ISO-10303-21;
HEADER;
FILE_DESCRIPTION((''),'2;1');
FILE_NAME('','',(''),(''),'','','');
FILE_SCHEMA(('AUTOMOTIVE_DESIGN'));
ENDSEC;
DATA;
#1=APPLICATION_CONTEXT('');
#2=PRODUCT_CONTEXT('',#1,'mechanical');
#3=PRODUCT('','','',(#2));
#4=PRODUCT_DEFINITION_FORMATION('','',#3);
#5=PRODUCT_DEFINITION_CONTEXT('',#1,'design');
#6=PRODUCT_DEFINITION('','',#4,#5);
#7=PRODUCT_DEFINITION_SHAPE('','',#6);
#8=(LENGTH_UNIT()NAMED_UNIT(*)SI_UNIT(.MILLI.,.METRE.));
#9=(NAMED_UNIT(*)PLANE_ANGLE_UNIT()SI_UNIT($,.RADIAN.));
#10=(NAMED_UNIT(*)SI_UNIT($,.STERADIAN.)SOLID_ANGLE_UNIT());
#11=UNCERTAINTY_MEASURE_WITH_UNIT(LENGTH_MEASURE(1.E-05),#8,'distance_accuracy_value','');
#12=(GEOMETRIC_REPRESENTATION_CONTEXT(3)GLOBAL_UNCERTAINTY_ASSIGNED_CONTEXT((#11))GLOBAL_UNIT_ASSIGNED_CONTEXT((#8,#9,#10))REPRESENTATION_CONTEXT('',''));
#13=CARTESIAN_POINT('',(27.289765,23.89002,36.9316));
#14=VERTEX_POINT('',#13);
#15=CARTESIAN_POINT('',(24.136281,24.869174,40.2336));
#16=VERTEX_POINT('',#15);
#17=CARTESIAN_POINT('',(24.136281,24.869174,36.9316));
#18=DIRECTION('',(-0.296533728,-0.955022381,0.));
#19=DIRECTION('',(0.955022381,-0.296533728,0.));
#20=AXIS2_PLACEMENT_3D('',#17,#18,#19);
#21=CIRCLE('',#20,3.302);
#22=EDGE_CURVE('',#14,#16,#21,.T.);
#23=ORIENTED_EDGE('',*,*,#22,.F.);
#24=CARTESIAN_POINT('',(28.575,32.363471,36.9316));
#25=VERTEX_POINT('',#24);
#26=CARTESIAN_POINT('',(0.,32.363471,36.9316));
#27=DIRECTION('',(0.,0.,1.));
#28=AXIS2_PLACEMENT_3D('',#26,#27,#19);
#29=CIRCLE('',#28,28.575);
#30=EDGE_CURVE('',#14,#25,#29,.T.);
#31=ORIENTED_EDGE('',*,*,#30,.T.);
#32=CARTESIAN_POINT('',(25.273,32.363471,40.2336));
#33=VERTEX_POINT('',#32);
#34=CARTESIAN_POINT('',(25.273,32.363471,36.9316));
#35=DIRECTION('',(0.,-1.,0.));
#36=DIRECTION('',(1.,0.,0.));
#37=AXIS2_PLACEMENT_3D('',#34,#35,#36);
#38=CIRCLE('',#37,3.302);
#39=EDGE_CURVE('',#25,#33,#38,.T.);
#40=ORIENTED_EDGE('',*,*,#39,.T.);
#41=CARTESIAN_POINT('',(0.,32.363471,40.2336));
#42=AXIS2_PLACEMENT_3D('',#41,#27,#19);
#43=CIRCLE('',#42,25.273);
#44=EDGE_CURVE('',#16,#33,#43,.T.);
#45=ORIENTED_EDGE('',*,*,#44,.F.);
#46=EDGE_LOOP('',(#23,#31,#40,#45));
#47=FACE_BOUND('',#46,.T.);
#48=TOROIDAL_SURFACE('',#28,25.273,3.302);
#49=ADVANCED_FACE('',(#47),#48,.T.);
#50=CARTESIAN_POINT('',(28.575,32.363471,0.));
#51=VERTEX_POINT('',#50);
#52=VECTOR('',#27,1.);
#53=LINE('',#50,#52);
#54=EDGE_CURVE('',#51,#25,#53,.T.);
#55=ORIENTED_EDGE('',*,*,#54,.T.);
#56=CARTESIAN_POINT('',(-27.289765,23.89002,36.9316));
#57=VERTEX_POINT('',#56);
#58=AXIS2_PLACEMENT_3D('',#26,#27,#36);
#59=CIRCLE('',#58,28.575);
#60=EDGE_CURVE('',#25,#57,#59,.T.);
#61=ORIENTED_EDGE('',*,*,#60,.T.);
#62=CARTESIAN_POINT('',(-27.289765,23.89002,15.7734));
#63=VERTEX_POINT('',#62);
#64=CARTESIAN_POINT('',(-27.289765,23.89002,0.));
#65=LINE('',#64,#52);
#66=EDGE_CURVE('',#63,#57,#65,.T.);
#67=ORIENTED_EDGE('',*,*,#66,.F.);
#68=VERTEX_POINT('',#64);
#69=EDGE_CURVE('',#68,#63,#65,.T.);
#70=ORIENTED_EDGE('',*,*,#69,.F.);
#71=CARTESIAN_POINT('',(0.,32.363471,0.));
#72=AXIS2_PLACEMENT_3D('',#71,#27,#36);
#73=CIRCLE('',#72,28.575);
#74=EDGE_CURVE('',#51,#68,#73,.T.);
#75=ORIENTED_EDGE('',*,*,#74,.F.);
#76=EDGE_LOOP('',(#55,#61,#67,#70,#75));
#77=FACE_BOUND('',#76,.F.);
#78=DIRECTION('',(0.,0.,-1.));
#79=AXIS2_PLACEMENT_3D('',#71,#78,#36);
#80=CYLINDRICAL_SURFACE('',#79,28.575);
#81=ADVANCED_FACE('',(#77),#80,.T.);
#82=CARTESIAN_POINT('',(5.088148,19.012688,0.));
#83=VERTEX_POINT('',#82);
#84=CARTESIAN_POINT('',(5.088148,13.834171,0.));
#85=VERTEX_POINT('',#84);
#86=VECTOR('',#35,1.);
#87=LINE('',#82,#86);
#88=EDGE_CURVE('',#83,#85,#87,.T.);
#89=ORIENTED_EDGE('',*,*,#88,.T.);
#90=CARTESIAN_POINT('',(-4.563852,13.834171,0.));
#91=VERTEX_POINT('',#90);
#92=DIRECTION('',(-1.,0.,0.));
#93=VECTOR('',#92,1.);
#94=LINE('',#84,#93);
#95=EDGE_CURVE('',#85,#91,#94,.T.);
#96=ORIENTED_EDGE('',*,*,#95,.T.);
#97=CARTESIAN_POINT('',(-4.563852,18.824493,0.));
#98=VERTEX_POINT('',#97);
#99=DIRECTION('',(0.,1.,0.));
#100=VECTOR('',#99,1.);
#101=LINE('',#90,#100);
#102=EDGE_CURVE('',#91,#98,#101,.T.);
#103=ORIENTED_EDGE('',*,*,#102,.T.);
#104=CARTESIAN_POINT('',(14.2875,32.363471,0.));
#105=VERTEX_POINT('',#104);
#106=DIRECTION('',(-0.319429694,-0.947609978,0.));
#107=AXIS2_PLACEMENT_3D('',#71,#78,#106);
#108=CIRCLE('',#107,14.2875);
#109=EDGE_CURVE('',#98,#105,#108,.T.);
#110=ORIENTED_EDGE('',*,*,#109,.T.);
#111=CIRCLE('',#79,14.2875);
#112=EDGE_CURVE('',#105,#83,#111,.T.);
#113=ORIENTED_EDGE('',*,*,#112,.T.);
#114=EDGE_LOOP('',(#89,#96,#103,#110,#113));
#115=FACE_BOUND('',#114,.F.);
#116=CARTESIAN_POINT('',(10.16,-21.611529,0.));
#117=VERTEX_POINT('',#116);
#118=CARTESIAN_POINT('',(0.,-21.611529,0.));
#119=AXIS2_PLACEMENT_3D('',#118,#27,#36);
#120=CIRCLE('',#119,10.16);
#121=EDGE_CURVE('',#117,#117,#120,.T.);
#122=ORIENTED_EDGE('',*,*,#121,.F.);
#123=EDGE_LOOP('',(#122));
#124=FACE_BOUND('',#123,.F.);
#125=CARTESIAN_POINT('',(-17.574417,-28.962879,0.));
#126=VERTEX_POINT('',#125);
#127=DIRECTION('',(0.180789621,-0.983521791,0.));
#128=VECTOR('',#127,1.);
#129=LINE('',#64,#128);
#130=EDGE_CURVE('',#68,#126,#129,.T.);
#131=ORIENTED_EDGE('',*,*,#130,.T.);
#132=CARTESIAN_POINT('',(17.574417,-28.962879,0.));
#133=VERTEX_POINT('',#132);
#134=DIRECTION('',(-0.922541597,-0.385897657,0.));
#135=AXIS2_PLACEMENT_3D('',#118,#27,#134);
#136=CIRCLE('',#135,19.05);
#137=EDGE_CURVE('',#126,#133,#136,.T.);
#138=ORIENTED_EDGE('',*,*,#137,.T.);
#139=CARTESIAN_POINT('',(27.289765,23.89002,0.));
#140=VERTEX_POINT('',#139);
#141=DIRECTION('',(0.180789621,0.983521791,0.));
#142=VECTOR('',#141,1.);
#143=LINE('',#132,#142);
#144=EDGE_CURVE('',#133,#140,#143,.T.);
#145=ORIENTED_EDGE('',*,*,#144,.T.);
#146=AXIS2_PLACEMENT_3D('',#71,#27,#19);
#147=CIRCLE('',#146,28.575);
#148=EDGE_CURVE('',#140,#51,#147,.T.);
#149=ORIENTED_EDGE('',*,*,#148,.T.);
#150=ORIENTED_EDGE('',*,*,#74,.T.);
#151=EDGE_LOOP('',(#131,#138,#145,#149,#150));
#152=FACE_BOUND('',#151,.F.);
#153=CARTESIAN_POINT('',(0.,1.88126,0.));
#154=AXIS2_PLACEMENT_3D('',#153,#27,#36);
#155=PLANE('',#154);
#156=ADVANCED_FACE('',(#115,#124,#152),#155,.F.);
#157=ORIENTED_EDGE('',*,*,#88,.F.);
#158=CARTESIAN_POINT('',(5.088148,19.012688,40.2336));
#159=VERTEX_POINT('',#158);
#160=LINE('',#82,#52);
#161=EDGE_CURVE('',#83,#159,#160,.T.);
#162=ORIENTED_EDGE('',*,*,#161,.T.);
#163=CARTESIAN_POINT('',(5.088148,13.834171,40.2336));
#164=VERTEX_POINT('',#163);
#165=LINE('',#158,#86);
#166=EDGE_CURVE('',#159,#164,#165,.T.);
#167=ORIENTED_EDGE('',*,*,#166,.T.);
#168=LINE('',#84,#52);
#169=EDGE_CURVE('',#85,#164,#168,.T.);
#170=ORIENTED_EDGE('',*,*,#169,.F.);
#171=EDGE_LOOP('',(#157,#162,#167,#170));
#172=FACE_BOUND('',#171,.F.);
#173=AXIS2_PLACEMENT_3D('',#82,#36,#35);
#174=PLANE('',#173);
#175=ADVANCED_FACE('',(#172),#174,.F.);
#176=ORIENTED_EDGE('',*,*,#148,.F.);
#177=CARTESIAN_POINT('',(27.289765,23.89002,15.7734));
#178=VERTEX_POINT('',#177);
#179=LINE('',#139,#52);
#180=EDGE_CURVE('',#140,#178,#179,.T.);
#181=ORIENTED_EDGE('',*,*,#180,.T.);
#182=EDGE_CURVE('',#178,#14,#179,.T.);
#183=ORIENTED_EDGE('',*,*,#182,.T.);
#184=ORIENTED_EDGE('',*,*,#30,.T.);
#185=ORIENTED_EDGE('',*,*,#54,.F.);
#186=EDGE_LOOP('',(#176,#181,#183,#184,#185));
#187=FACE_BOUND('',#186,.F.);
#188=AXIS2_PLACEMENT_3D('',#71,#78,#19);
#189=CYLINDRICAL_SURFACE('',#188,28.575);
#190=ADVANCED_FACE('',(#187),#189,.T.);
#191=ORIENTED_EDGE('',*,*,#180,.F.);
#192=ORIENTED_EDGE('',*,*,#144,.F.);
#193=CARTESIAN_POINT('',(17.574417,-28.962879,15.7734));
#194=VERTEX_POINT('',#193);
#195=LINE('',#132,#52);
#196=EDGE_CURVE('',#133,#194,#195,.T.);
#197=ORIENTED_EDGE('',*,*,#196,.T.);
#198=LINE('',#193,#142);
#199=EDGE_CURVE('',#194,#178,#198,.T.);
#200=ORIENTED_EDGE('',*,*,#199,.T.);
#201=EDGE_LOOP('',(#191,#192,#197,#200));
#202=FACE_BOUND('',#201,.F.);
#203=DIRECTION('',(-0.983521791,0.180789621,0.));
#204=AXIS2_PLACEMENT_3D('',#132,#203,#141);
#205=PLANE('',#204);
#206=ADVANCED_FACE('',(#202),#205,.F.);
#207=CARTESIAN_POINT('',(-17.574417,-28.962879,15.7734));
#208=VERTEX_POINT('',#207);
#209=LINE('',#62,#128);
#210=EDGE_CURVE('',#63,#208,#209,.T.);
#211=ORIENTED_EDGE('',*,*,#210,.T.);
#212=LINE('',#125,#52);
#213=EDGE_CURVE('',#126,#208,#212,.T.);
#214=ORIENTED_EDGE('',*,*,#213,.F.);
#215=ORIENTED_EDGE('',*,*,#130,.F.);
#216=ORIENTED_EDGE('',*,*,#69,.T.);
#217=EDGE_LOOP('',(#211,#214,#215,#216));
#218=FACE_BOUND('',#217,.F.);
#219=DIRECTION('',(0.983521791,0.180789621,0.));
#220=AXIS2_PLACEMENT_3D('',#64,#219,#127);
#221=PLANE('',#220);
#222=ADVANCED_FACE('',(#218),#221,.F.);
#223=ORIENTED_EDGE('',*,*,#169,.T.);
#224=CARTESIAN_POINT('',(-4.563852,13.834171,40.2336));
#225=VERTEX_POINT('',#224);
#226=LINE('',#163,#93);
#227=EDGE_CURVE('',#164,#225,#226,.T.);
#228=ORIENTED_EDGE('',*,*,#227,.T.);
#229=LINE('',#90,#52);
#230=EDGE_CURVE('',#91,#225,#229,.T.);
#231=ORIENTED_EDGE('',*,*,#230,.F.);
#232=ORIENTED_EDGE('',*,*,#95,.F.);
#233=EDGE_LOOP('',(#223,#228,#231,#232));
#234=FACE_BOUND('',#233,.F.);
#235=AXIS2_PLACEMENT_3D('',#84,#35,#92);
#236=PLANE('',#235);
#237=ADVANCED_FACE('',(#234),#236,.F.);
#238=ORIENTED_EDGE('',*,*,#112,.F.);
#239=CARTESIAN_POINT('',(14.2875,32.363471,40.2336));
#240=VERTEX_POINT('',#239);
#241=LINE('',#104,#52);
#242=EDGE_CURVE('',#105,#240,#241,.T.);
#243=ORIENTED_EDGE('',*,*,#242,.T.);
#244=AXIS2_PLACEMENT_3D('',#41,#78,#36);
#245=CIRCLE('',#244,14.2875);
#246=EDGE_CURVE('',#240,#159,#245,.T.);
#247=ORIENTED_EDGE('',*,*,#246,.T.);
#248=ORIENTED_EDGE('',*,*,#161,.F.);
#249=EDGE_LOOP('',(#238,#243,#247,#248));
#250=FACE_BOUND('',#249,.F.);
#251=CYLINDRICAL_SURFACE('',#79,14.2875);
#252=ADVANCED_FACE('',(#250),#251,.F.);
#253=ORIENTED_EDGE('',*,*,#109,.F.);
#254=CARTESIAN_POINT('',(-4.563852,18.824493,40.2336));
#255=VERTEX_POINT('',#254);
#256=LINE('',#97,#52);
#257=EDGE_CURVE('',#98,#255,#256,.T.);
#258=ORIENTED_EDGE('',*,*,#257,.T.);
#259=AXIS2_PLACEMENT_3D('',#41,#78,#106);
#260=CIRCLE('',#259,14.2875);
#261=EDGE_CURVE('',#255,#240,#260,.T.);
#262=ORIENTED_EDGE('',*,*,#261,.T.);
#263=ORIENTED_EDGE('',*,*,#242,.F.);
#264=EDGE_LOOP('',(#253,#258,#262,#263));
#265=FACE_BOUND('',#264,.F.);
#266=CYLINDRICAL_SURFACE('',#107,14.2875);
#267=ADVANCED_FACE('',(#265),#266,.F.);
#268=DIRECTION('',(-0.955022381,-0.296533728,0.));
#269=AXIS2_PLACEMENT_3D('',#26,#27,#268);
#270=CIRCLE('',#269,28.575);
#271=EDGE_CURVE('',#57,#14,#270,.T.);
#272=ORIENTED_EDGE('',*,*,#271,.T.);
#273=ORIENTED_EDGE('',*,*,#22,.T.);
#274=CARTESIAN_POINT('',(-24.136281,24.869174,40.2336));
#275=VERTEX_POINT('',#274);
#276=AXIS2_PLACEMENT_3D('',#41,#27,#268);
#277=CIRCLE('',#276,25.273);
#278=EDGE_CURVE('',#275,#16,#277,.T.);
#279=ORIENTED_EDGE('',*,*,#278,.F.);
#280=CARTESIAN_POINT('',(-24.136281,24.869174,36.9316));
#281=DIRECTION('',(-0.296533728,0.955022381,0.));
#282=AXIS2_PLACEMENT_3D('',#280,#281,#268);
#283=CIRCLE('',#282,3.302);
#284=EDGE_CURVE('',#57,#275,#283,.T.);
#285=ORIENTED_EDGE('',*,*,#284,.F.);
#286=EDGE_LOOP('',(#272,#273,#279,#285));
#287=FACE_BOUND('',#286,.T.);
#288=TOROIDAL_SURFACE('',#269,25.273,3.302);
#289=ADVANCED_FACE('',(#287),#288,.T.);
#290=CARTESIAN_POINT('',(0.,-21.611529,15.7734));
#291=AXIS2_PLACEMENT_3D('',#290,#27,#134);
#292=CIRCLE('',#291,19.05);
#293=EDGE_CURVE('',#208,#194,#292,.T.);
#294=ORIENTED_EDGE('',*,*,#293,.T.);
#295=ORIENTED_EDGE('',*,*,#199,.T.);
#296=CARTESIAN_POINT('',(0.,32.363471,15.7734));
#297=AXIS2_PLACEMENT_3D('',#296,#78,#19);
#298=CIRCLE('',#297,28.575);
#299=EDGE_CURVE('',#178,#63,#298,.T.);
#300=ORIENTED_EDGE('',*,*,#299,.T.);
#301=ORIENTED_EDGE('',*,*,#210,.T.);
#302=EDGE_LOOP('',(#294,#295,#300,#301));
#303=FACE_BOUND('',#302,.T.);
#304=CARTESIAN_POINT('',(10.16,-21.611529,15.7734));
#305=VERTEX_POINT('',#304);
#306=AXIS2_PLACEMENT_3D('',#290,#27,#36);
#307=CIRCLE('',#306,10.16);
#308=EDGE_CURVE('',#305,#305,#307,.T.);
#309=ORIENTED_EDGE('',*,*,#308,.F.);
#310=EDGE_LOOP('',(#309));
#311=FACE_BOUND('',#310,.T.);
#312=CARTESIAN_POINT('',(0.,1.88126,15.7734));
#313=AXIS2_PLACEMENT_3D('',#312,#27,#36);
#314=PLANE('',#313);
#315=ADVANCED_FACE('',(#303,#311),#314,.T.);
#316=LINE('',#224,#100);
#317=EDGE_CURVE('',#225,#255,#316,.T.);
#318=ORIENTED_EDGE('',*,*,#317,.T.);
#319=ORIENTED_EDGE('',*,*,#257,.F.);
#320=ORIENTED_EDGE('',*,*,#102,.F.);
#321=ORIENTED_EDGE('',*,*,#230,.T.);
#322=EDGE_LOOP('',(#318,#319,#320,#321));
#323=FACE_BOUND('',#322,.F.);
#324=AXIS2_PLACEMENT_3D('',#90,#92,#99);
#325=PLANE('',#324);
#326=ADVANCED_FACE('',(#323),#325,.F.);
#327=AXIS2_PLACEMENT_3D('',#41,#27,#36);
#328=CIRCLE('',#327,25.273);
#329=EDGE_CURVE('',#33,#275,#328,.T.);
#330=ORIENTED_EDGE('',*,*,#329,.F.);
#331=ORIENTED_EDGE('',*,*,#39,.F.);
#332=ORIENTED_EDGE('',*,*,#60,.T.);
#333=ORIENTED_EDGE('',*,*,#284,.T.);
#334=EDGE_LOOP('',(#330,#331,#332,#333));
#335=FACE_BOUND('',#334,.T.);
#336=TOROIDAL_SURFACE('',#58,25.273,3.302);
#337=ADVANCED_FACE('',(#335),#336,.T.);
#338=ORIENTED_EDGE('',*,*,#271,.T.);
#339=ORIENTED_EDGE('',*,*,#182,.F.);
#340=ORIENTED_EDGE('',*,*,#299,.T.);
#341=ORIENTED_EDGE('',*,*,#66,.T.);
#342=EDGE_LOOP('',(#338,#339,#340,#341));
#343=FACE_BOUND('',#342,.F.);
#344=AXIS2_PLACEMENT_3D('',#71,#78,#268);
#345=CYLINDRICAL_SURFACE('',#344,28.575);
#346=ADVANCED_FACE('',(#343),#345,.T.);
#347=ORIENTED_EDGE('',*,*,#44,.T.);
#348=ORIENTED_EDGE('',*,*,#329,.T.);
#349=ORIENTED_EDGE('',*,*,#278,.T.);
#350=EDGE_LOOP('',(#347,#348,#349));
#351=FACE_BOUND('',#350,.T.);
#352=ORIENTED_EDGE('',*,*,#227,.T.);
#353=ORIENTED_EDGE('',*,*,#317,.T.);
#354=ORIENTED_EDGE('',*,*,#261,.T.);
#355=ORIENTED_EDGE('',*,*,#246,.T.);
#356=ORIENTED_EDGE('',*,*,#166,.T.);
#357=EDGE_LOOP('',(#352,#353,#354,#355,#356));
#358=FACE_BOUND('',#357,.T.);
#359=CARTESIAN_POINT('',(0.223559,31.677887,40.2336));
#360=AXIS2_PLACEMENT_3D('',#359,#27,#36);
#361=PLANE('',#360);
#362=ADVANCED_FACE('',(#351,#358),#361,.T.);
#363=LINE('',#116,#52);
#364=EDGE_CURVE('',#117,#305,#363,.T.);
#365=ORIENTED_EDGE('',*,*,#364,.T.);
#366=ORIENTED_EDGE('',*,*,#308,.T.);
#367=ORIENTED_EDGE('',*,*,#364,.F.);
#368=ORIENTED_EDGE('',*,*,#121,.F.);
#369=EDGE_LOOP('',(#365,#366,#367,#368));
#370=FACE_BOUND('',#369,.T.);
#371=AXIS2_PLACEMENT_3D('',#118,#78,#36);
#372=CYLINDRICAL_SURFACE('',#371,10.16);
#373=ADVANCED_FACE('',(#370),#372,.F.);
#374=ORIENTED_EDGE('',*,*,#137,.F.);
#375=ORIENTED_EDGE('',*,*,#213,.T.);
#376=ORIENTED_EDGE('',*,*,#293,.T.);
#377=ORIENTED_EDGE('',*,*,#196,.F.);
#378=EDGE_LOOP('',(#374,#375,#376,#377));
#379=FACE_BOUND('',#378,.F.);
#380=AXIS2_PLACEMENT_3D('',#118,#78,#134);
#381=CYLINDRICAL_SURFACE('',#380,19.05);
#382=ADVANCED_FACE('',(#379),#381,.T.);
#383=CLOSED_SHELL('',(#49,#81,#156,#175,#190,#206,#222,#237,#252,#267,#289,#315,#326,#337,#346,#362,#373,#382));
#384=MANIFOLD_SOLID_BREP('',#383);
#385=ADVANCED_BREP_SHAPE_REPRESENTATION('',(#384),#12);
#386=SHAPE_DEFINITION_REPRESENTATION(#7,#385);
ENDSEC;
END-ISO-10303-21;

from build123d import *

# Parameters (mm, degrees)
F1_DEPTH = 40.2336
F0_R     = 10.16
F2_DEPTH = 15.7734
F3_R     = 3.302


with BuildPart() as f1:
    # F0 (on Top) → F1 (new body)
    with BuildSketch(Plane.XY):
        with BuildLine():
            ThreePointArc((27.2897645342, 23.8900197129), (28.2518640674, 28.0782870201), (28.575, 32.3634709971))
            ThreePointArc((28.575, 32.3634709971), (-4.2851839771, 60.6153350645), (-27.2897645342, 23.8900197129))
            ThreePointArc((-27.2897645342, 23.8900197129), (0, 3.7884709971), (27.2897645342, 23.8900197129))
        make_face()
        with BuildLine():
            ThreePointArc((-4.5638517477, 18.8244934333), (-8.3344653219, 43.9681831455), (14.2875, 32.3634709971))
            ThreePointArc((14.2875, 32.3634709971), (11.7649813941, 24.2568151486), (5.0881482523, 19.0126881133))
            Line((5.0881482523, 19.0126881133), (5.0881482523, 13.8341709971))
            Line((5.0881482523, 13.8341709971), (-4.5638517477, 13.8341709971))
            Line((-4.5638517477, 13.8341709971), (-4.5638517477, 18.8244934333))
        make_face(mode=Mode.SUBTRACT)
    extrude(amount=F1_DEPTH)

    # F0 (on Top) → F2 (join)
    with BuildSketch(Plane.XY):
        with BuildLine():
            ThreePointArc((27.2897645342, 23.8900197129), (0, 3.7884709971), (-27.2897645342, 23.8900197129))
            Line((-27.2897645342, 23.8900197129), (-19.0398767625, -20.990567758))
            ThreePointArc((-19.0398767625, -20.990567758), (0, -2.5615290029), (19.0398767625, -20.990567758))
            Line((19.0398767625, -20.990567758), (27.2897645342, 23.8900197129))
        make_face()
        with BuildLine():
            ThreePointArc((19.0398767625, -20.990567758), (0, -2.5615290029), (-19.0398767625, -20.990567758))
            Line((-19.0398767625, -20.990567758), (-17.5744174222, -28.9628793733))
            ThreePointArc((-17.5744174222, -28.9628793733), (0, -40.6615290029), (17.5744174222, -28.9628793733))
            Line((17.5744174222, -28.9628793733), (19.0398767625, -20.990567758))
        make_face()
        with Locations((0, -21.6115290029)):
            Circle(F0_R, mode=Mode.SUBTRACT)
    extrude(amount=F2_DEPTH)

    # F3
    f3_edges = [f1.edges().sort_by_distance(p)[0] for p in [
        (27.289765, 40.836922, 40.2336),
    ]]
    fillet(f3_edges, radius=F3_R)


solid = f1.part
